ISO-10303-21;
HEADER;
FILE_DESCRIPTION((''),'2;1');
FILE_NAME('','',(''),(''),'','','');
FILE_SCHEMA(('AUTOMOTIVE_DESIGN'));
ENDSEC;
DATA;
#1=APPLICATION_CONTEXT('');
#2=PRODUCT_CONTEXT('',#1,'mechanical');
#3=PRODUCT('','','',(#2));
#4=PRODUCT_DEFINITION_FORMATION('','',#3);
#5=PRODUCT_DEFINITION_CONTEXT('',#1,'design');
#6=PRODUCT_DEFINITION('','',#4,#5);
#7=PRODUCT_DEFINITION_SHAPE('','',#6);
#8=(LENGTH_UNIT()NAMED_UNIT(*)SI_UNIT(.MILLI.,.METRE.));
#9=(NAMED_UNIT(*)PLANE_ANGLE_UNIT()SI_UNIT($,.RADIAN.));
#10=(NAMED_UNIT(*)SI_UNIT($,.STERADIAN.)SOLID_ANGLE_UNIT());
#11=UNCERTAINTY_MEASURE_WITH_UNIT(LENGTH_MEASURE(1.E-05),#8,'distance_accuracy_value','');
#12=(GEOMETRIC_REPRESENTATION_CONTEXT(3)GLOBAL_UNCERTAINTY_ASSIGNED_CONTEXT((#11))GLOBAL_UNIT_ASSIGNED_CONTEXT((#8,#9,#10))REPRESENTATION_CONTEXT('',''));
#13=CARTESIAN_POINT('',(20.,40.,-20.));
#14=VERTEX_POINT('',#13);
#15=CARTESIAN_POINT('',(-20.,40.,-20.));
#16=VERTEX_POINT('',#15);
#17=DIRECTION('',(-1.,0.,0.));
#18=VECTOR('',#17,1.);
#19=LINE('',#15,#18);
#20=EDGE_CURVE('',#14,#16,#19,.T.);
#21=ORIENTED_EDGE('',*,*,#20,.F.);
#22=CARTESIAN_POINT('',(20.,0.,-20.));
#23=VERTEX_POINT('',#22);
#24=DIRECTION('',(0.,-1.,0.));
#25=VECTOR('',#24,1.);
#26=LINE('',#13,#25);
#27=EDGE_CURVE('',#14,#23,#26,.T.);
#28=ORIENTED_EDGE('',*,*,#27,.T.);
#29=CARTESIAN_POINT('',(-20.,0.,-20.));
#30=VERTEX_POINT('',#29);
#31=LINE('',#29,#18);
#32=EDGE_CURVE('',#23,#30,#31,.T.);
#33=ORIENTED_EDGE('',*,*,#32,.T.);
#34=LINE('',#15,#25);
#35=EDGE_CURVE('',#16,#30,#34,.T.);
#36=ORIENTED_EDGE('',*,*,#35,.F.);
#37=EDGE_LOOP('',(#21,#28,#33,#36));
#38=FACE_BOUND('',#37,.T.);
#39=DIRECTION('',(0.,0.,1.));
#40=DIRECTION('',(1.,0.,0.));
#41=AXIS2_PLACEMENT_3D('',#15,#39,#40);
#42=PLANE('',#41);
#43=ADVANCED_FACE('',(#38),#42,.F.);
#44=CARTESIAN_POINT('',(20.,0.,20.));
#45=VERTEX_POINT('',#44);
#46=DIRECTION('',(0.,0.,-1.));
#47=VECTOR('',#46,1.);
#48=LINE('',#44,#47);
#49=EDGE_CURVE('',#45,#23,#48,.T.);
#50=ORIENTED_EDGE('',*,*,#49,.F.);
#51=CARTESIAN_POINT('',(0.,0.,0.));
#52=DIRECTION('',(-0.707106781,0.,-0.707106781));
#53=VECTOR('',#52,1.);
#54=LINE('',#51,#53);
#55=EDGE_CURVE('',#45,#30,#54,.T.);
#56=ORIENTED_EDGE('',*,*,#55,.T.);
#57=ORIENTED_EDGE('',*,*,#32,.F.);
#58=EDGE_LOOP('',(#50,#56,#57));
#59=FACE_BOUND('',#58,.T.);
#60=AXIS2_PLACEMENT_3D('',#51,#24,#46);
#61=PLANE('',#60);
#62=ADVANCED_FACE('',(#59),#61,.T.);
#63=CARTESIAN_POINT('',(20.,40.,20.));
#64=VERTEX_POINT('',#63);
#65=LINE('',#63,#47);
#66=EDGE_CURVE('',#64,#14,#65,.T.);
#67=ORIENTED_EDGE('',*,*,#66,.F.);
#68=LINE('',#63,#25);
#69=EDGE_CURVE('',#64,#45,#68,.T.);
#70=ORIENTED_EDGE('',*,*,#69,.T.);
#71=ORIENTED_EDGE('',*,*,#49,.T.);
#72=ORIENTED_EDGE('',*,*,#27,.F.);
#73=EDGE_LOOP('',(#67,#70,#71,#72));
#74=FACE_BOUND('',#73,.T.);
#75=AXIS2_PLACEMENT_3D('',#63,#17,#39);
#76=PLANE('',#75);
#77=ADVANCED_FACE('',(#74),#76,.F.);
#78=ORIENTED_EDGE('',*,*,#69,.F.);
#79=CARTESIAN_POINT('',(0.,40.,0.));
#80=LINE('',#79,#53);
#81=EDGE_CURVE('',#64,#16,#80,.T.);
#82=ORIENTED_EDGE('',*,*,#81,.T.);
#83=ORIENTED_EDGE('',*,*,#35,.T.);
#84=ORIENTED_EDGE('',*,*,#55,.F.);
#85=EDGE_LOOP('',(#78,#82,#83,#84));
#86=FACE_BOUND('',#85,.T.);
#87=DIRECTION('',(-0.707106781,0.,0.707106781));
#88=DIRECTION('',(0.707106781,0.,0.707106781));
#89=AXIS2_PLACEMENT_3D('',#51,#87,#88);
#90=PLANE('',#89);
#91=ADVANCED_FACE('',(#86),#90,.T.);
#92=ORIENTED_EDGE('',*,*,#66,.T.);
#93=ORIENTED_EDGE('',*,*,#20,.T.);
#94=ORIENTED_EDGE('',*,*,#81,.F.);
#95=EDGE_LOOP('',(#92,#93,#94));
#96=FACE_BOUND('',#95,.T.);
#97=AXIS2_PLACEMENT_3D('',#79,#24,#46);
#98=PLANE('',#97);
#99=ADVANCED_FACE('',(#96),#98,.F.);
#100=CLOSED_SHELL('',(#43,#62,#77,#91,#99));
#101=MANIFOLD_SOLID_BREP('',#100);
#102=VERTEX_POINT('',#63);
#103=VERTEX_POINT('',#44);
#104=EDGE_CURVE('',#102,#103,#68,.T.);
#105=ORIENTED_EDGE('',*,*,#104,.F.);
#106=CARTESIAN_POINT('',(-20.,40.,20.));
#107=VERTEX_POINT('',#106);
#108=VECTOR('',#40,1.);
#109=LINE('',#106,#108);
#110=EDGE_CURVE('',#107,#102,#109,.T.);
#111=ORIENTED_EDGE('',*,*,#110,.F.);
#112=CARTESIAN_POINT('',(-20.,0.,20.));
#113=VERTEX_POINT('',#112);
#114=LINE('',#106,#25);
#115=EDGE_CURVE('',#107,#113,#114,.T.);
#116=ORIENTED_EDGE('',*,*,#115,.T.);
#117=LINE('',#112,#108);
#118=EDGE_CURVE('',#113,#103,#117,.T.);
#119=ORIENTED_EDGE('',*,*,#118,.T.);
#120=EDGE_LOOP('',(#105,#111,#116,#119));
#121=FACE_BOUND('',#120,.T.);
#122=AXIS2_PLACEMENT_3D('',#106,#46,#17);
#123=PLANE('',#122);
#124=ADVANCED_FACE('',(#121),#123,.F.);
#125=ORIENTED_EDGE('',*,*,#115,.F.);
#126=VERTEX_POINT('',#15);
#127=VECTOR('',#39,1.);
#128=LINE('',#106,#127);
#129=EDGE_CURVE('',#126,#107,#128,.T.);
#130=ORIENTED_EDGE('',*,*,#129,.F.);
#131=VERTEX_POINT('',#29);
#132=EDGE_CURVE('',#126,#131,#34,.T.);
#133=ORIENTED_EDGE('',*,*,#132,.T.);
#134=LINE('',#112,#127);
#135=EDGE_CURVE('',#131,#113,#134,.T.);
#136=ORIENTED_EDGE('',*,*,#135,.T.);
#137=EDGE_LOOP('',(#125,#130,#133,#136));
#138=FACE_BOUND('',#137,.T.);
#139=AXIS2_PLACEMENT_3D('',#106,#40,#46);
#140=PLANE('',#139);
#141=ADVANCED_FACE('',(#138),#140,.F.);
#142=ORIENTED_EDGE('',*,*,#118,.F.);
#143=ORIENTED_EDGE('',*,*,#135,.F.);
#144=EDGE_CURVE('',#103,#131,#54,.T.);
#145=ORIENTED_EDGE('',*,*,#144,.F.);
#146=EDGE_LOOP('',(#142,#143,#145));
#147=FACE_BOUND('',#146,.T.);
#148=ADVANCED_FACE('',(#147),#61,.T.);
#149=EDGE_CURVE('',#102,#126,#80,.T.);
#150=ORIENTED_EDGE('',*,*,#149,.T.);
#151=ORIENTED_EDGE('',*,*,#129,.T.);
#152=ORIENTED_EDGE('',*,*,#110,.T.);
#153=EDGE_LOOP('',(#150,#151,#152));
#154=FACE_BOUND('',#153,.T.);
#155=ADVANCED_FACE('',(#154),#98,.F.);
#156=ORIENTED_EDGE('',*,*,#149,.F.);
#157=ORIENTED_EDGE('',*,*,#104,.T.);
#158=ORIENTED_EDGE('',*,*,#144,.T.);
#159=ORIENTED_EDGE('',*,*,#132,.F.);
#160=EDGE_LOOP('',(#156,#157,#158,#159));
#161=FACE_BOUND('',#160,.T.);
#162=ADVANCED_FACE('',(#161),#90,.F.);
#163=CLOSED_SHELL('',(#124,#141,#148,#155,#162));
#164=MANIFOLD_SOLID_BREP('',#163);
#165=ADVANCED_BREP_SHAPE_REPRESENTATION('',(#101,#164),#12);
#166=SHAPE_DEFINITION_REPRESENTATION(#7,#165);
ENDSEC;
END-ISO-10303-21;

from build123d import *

# Parameters (mm, degrees)
SKETCH1_W           = 40
SKETCH1_H           = 40
BOSS_EXTRUDE1_DEPTH = 40


with BuildPart() as part:
    # Sketch1 → Boss-Extrude1 (new body)
    with BuildSketch(Plane(origin=(0, 0, 0), x_dir=(1, 0, 0), z_dir=(0, 1, 0))):
        Rectangle(SKETCH1_W, SKETCH1_H)
    extrude(amount=BOSS_EXTRUDE1_DEPTH)


with BuildPart() as body_2:
    # Split1: the piece on the far side of the plane
    add(part.part)
    split(bisect_by=Plane(origin=(0, 0, 0), x_dir=(-0.7071067811865475, 0, -0.7071067811865477), z_dir=(-0.7071067811865477, 0, 0.7071067811865475)), keep=Keep.BOTTOM)


with BuildPart() as part_1:
    add(part.part)

    # Split1
    split(bisect_by=Plane(origin=(0, 0, 0), x_dir=(-0.7071067811865475, 0, -0.7071067811865477), z_dir=(-0.7071067811865477, 0, 0.7071067811865475)), keep=Keep.TOP)


solid = Compound([body_2.part, part_1.part])
